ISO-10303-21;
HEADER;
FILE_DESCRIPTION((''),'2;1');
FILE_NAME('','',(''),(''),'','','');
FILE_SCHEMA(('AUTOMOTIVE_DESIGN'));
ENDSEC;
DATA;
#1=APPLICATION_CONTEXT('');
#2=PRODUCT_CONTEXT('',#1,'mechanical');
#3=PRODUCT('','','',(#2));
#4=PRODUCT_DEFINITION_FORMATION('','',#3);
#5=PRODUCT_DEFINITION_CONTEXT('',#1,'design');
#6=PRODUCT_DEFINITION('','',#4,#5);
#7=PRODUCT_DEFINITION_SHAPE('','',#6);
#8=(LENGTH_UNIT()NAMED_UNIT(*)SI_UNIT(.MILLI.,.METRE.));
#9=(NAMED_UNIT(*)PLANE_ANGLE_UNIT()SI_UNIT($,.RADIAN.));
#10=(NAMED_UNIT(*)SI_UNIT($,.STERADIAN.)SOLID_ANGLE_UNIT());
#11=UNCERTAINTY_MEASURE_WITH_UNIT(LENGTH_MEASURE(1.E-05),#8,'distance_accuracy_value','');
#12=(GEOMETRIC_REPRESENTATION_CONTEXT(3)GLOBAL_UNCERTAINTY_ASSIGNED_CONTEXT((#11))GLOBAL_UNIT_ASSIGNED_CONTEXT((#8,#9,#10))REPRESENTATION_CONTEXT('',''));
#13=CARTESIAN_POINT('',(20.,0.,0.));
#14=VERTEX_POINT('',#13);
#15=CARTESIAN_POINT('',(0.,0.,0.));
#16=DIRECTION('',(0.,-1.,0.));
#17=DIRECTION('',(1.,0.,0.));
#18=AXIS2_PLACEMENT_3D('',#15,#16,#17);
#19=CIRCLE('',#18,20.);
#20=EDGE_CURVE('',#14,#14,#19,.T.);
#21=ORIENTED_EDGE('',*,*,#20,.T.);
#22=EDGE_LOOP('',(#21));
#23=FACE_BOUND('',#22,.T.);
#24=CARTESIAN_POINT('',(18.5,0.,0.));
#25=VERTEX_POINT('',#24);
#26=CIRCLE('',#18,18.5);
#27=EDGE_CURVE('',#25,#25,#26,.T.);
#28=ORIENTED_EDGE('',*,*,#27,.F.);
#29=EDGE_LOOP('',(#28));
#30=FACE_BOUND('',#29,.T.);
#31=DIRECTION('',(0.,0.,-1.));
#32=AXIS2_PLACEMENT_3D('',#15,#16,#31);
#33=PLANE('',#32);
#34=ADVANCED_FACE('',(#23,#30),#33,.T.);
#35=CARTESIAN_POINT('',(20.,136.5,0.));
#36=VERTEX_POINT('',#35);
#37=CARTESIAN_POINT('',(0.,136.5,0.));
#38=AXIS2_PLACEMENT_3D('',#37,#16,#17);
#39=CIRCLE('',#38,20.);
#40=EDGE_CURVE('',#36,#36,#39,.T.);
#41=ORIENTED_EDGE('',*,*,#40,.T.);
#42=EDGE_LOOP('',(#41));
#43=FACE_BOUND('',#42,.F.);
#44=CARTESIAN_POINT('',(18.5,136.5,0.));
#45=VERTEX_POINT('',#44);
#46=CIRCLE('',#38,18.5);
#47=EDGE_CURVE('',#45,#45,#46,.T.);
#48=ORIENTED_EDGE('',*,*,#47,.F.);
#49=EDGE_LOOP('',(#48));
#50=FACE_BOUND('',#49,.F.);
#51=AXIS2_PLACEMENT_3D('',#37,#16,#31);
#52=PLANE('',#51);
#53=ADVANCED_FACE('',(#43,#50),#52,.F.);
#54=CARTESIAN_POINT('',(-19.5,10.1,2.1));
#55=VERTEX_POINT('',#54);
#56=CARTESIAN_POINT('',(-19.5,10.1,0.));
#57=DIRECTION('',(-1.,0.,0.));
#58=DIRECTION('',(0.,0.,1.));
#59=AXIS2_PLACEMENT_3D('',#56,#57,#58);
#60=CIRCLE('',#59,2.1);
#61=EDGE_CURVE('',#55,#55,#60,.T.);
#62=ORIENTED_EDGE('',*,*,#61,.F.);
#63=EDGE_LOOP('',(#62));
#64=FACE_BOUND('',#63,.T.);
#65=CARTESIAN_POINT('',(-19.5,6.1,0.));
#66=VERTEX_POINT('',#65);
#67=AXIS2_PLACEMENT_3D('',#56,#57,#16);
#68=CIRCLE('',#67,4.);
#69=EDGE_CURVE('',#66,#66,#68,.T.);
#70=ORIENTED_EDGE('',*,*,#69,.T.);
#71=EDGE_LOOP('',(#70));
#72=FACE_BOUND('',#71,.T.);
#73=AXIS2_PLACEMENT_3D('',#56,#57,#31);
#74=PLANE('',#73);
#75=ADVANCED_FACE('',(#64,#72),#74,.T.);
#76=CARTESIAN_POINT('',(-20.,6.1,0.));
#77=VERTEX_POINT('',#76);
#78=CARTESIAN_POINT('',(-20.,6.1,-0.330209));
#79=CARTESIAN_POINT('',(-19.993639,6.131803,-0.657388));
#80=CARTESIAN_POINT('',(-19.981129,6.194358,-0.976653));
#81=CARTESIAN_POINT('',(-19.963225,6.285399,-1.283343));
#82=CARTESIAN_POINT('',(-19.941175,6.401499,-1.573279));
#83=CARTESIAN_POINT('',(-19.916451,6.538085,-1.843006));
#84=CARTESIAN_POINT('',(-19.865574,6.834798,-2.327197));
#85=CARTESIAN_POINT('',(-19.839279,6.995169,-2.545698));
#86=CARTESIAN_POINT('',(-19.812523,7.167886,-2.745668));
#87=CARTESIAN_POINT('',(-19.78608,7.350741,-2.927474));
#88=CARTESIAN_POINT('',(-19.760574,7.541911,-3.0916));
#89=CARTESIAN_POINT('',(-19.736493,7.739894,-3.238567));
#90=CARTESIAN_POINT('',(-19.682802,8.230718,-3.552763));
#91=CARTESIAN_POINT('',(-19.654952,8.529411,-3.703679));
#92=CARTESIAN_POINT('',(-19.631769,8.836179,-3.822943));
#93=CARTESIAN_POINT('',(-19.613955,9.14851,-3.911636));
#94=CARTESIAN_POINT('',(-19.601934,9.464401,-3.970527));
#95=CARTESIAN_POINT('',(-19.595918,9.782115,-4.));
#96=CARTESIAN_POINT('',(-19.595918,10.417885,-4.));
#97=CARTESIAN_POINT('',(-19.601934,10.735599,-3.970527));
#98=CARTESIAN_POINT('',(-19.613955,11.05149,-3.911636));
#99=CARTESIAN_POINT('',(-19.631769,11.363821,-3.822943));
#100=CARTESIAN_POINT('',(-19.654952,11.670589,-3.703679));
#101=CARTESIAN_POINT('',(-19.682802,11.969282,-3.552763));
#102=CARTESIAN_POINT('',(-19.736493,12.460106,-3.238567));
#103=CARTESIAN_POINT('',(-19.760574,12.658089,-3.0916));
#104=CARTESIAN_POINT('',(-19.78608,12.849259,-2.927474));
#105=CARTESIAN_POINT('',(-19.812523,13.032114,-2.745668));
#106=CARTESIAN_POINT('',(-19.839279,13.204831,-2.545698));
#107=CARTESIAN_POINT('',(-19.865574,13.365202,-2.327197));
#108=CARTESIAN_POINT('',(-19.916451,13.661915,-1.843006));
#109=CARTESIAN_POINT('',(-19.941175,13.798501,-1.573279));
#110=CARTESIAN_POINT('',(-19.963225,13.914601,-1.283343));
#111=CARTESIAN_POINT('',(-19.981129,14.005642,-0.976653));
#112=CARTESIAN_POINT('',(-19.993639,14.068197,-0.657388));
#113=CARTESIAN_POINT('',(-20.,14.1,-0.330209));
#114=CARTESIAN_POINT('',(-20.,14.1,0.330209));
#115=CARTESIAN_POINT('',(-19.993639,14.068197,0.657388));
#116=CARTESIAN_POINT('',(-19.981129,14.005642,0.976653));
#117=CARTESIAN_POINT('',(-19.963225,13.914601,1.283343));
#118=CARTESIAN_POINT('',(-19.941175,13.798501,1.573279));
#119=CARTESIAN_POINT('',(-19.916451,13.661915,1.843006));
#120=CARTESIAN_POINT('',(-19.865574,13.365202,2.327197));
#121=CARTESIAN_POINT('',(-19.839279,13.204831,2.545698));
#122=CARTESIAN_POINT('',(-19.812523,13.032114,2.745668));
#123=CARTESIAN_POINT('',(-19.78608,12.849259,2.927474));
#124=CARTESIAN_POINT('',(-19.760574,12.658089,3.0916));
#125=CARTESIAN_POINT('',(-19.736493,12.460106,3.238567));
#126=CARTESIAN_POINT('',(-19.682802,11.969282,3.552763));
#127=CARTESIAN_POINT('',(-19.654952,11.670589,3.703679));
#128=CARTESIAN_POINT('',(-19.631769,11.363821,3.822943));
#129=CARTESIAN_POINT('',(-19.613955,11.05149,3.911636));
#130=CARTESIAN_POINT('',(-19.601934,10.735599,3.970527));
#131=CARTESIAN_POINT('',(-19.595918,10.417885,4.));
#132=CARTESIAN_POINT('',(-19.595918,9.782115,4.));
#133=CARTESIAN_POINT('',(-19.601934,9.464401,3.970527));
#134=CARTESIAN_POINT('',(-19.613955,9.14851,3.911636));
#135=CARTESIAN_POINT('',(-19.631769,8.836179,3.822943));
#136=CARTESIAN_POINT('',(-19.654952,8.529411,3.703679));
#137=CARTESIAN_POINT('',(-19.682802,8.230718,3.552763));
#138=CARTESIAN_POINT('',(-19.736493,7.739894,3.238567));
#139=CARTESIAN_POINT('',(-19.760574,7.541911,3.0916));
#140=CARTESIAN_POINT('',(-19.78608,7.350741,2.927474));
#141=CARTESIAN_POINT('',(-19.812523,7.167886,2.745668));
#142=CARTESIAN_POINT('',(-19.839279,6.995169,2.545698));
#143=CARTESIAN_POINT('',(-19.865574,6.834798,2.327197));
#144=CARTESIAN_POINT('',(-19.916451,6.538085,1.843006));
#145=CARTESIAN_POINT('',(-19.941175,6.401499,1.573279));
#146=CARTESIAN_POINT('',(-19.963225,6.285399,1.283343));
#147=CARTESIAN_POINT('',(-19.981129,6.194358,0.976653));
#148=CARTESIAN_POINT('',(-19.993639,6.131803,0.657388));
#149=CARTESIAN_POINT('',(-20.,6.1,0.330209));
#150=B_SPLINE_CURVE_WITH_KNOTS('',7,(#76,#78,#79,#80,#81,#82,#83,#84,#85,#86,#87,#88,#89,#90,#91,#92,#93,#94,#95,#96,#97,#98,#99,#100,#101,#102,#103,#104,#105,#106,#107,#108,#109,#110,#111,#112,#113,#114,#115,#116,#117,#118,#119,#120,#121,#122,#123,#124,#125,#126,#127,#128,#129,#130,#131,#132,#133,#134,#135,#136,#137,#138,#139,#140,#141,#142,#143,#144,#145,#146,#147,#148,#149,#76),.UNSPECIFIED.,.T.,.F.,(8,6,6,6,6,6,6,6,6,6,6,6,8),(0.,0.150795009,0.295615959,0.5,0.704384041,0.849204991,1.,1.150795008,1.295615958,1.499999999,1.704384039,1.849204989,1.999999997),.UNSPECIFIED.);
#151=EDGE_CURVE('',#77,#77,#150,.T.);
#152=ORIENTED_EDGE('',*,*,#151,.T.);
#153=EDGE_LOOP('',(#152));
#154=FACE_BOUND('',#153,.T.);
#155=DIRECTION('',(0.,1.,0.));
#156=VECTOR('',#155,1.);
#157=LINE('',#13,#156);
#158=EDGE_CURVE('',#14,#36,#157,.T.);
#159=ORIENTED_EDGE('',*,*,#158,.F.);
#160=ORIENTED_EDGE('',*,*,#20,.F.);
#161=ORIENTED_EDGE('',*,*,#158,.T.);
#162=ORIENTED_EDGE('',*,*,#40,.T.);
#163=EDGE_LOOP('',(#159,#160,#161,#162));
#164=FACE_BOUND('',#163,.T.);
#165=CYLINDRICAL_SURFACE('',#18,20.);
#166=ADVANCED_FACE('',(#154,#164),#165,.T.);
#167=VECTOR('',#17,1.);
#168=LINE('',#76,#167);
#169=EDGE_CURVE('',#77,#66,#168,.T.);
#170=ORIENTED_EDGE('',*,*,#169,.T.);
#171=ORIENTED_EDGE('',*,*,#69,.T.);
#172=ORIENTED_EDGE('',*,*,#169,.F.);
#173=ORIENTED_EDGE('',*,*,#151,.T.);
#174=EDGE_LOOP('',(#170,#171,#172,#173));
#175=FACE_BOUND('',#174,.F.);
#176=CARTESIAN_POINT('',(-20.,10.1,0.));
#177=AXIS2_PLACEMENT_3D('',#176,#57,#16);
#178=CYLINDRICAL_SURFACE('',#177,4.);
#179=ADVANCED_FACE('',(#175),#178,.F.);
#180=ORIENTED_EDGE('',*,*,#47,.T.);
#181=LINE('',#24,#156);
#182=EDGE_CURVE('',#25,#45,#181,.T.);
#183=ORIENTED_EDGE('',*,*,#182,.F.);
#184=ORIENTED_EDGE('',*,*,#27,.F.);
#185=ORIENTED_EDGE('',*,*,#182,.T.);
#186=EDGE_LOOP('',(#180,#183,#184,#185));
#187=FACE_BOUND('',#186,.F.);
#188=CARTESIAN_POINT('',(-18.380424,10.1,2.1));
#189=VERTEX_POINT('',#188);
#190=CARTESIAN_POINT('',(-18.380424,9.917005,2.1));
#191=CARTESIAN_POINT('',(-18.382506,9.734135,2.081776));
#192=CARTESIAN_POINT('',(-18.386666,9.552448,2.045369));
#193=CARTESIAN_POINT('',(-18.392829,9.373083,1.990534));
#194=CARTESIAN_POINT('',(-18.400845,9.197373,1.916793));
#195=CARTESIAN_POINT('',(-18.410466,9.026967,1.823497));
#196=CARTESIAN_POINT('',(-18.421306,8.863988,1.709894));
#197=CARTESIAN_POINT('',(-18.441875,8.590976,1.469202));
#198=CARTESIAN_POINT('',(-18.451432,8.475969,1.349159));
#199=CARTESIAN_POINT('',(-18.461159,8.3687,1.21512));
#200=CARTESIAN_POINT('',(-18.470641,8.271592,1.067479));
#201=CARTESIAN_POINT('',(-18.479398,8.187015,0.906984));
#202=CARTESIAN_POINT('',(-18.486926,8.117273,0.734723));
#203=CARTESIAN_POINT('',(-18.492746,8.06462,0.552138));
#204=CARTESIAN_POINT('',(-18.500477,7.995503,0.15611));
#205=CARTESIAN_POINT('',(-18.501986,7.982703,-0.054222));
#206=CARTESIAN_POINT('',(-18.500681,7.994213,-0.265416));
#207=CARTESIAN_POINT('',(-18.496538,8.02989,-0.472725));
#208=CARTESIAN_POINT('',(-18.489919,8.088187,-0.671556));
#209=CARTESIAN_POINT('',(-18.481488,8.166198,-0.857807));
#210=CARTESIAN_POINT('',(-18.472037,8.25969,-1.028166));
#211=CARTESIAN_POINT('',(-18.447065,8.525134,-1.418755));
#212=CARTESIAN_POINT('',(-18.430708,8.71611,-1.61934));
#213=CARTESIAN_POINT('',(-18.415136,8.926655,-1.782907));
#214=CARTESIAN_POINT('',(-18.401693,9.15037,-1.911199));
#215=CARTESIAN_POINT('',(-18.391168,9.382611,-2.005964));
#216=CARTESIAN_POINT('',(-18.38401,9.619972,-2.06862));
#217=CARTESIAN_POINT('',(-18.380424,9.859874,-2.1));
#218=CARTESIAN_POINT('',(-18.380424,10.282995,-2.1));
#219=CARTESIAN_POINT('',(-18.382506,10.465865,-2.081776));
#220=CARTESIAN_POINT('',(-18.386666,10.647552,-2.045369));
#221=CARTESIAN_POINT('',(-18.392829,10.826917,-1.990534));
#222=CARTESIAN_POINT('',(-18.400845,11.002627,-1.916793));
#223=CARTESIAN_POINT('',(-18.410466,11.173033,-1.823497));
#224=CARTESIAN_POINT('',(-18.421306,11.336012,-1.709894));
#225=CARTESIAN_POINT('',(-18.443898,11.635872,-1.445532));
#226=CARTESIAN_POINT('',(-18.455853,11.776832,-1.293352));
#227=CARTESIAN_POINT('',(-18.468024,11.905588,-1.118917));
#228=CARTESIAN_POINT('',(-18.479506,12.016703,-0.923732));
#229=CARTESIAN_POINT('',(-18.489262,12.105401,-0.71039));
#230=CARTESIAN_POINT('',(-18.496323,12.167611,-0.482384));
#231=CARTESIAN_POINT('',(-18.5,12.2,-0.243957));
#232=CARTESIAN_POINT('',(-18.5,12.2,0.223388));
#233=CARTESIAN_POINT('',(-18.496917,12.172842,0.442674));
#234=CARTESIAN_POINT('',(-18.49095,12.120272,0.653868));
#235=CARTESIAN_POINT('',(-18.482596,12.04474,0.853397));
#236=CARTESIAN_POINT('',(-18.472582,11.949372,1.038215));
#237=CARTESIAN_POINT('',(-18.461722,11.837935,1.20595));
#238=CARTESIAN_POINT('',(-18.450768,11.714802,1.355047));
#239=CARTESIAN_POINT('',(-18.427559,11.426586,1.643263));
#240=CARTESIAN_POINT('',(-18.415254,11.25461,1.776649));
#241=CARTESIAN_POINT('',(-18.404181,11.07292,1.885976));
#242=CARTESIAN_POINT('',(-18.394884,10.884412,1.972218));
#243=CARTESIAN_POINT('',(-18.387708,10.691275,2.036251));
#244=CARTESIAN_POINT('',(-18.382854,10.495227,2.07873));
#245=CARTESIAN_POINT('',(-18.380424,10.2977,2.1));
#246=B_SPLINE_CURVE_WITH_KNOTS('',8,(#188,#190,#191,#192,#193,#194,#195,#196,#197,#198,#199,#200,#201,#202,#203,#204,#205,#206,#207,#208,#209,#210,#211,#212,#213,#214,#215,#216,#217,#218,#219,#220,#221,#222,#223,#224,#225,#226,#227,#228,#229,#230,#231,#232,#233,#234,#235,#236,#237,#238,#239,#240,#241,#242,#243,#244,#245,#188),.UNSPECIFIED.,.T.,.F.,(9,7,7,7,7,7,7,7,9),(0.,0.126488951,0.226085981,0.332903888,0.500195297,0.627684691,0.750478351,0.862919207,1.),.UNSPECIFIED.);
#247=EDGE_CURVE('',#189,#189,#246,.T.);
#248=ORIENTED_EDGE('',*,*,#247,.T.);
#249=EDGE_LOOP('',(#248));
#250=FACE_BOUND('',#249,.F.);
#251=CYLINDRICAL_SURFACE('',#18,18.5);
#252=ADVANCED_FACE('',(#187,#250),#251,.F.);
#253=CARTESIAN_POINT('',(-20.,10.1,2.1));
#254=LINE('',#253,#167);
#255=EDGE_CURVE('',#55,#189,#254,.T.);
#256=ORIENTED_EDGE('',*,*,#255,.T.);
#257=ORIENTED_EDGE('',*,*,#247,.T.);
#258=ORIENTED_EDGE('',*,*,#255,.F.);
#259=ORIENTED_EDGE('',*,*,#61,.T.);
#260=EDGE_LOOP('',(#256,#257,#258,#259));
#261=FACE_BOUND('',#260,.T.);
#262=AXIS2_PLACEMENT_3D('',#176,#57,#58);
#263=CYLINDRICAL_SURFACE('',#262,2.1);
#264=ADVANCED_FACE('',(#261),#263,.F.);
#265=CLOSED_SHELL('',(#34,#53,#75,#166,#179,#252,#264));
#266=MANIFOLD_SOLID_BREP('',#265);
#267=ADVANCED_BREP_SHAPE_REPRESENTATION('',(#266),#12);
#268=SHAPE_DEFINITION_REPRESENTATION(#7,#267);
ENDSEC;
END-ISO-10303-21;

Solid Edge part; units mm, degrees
sketch "Sketch1" plane through (0, 0, 0) normal (0, -1, 0) x (1, 0, 0)
  circle A0 centre (0, 0) radius 18.5
  circle A1 centre (0, 0) radius 20
extrude "Extrusionsausprägung_1" add sketch "Sketch1" against normal blind 136.5
hole "Bohrung_1" at (-20, 10.1, 0) direction (1, 0, 0) diameter 4.2 end up to next
sketch "Sketch2" plane through (-20, 68.25, 0) normal (-1, 0, 0) x (0, -1, 0)
  circle A0 centre (58.15, 0) radius 4
extrude "Extrusionsausschnitt_1" cut sketch "Sketch2" against normal blind 0.5
properties material "Acryl, hoher Anschlag"
